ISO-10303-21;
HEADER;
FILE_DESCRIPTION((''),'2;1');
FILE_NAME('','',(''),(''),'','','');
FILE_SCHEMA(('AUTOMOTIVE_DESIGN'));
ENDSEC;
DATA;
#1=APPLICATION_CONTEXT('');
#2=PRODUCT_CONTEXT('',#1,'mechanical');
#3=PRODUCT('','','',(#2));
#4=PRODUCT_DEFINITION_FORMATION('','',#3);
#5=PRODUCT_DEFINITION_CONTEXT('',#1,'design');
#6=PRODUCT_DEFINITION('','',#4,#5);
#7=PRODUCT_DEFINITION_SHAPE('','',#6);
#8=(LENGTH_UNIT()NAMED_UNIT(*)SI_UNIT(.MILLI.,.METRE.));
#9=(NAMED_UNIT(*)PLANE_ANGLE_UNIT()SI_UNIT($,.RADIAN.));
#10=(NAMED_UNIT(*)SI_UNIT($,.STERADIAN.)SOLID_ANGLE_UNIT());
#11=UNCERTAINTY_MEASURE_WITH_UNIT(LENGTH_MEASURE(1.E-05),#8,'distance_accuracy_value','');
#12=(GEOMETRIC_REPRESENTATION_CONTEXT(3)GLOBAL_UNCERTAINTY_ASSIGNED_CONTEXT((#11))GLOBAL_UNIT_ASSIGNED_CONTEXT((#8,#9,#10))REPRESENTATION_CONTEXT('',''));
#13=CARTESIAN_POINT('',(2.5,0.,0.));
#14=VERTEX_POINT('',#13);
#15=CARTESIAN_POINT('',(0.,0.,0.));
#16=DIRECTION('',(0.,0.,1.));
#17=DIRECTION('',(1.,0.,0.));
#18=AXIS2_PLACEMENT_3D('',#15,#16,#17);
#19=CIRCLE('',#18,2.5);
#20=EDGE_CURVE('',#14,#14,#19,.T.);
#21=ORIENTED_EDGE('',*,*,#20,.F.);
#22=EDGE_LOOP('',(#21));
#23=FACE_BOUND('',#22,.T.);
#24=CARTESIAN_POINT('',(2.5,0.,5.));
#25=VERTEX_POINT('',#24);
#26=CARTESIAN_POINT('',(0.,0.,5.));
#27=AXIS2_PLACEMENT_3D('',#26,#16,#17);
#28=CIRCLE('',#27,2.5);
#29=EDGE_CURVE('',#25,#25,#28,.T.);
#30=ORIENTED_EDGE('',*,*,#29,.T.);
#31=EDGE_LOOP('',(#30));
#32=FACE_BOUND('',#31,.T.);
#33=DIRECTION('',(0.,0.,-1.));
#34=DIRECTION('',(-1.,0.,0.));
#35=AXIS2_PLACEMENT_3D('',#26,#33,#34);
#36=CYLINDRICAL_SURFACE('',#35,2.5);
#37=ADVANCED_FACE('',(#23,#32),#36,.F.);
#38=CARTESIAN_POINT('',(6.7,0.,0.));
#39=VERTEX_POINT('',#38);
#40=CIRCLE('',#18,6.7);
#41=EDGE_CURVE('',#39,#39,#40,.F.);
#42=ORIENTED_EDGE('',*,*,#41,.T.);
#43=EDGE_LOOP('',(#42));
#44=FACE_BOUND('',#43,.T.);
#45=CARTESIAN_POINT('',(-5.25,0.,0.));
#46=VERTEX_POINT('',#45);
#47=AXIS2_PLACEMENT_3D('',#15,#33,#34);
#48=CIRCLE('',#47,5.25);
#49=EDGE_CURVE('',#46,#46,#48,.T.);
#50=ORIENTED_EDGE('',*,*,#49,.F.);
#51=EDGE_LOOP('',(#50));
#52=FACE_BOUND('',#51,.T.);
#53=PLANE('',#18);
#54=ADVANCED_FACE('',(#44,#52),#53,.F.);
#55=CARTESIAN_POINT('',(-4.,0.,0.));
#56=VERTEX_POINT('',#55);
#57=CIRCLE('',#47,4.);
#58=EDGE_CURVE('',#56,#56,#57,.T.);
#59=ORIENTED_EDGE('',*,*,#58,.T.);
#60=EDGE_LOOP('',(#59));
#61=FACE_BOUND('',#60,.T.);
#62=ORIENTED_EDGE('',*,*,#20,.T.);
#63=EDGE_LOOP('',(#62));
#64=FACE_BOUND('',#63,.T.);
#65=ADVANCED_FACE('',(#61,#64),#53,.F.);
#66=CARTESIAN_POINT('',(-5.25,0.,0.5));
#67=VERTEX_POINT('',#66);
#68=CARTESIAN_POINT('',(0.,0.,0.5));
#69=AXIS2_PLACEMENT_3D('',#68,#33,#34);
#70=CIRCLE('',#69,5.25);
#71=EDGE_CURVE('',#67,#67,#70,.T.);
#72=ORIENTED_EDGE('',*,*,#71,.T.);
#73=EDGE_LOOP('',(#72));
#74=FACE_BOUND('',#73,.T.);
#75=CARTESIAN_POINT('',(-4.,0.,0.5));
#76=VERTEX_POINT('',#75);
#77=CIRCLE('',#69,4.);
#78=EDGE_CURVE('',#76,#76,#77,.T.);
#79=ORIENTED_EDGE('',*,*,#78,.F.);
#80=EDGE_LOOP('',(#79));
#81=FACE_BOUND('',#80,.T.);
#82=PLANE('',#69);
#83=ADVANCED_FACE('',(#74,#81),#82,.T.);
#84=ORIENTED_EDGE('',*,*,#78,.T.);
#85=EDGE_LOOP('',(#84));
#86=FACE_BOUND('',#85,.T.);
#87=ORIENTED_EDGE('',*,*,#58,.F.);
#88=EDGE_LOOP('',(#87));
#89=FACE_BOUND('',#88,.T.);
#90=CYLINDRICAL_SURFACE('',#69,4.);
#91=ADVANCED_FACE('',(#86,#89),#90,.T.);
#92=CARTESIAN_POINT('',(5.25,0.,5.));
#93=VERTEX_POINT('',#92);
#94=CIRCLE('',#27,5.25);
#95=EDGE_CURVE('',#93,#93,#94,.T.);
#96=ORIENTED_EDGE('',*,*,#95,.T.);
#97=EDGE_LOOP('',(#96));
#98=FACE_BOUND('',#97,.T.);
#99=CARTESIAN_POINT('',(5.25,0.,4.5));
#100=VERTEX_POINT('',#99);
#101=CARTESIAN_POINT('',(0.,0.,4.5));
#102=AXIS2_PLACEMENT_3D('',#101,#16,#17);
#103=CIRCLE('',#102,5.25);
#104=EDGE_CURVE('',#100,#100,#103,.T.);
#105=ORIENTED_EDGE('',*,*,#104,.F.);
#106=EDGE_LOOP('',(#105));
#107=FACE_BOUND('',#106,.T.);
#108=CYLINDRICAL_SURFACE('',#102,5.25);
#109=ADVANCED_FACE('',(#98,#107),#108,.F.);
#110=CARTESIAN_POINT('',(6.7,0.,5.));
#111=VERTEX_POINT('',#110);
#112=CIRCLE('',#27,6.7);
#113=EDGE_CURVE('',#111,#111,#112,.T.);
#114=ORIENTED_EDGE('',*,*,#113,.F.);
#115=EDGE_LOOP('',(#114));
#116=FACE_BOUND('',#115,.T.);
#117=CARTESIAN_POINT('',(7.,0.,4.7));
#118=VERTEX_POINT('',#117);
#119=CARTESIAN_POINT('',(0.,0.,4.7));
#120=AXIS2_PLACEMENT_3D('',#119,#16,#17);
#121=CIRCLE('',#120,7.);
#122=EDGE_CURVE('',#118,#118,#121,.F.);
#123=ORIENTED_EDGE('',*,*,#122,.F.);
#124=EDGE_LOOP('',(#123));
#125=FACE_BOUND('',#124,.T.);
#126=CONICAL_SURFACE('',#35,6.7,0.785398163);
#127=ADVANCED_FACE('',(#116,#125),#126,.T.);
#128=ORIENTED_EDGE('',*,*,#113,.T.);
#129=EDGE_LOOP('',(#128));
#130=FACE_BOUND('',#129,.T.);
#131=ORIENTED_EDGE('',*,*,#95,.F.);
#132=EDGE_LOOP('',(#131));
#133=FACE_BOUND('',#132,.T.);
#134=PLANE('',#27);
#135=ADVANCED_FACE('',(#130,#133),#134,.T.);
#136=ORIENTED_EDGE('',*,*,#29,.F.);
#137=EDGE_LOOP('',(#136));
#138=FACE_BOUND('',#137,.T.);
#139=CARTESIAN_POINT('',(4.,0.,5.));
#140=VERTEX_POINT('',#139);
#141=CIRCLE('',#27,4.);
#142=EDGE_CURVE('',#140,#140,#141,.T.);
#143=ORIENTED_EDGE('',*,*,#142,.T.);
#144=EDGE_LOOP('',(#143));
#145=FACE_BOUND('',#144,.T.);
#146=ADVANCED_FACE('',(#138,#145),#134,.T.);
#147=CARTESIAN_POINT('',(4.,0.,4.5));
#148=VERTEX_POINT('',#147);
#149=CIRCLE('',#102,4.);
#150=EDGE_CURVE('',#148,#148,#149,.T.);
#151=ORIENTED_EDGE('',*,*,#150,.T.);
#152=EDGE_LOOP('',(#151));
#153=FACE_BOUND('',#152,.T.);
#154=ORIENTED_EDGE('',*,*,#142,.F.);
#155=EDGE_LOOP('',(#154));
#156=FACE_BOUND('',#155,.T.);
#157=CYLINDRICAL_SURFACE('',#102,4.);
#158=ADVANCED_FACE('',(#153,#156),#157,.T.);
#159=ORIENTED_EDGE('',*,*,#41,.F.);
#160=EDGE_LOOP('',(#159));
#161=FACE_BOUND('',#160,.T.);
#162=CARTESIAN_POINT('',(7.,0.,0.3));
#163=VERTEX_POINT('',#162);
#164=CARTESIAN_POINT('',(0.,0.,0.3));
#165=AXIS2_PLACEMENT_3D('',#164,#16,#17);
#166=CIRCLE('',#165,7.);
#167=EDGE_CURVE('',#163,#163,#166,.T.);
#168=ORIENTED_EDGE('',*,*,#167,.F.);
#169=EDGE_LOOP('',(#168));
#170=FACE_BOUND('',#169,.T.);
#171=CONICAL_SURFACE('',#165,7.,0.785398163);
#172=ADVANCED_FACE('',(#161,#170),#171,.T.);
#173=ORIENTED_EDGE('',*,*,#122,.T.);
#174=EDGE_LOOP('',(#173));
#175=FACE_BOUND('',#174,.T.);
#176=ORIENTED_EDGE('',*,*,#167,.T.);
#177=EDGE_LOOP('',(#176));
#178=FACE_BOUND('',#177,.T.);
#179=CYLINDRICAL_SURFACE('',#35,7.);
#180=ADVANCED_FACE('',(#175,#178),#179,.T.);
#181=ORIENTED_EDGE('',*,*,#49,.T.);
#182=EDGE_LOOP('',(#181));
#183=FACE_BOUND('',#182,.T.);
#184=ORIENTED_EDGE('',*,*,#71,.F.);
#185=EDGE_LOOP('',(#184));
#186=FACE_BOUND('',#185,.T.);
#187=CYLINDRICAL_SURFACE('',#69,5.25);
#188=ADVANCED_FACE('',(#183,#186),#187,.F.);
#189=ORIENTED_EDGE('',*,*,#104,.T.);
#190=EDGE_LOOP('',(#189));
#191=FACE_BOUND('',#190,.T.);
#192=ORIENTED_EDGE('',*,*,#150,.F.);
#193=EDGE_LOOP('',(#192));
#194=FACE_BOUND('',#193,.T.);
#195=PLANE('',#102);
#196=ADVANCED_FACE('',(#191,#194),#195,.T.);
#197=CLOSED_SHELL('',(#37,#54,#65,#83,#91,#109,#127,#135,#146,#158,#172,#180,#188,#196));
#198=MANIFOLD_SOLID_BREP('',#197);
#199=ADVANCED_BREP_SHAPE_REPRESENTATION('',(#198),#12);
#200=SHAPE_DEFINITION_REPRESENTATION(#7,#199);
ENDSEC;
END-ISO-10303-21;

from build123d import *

# Parameters (mm, degrees)
SKETCH1_R           = 7
SKETCH1_R_2         = 2.5
BOSS_EXTRUDE1_DEPTH = 5
SKETCH2_R           = 5.25
SKETCH2_R_2         = 4
CUT_EXTRUDE1_DEPTH  = 0.5
CUT_EXTRUDE2_START  = -0.5
SKETCH3_R           = 5.25
SKETCH3_R_2         = 4
CUT_EXTRUDE2_DEPTH  = 0.5
CHAMFER1_SIZE       = 0.3


with BuildPart() as part:
    # Sketch1 → Boss-Extrude1 (new body)
    with BuildSketch(Plane.XY):
        Circle(SKETCH1_R)
        Circle(SKETCH1_R_2, mode=Mode.SUBTRACT)
    extrude(amount=BOSS_EXTRUDE1_DEPTH)

    # Sketch2 → Cut-Extrude1 (cut)
    with BuildSketch(Plane.XY.offset(5)):
        Circle(SKETCH2_R)
        Circle(SKETCH2_R_2, mode=Mode.SUBTRACT)
    extrude(amount=-CUT_EXTRUDE1_DEPTH, mode=Mode.SUBTRACT)

    # Sketch3 → Cut-Extrude2 (cut)
    with BuildSketch(Plane(origin=(0, 0, 0), x_dir=(-1, 0, 0), z_dir=(0, 0, -1)).offset(CUT_EXTRUDE2_START)):
        with Locations(Location((0, 0, 0), (0, 0, 180))):
            Circle(SKETCH3_R)
        with Locations(Location((0, 0, 0), (0, 0, 180))):
            Circle(SKETCH3_R_2, mode=Mode.SUBTRACT)
    extrude(amount=CUT_EXTRUDE2_DEPTH, mode=Mode.SUBTRACT)

    # Chamfer1
    chamfer1_edges = [part.edges().sort_by_distance(p)[0] for p in [
        (-7, 0, 0),
        (-7, 0, 5),
    ]]
    chamfer(chamfer1_edges, length=CHAMFER1_SIZE)


solid = part.part
